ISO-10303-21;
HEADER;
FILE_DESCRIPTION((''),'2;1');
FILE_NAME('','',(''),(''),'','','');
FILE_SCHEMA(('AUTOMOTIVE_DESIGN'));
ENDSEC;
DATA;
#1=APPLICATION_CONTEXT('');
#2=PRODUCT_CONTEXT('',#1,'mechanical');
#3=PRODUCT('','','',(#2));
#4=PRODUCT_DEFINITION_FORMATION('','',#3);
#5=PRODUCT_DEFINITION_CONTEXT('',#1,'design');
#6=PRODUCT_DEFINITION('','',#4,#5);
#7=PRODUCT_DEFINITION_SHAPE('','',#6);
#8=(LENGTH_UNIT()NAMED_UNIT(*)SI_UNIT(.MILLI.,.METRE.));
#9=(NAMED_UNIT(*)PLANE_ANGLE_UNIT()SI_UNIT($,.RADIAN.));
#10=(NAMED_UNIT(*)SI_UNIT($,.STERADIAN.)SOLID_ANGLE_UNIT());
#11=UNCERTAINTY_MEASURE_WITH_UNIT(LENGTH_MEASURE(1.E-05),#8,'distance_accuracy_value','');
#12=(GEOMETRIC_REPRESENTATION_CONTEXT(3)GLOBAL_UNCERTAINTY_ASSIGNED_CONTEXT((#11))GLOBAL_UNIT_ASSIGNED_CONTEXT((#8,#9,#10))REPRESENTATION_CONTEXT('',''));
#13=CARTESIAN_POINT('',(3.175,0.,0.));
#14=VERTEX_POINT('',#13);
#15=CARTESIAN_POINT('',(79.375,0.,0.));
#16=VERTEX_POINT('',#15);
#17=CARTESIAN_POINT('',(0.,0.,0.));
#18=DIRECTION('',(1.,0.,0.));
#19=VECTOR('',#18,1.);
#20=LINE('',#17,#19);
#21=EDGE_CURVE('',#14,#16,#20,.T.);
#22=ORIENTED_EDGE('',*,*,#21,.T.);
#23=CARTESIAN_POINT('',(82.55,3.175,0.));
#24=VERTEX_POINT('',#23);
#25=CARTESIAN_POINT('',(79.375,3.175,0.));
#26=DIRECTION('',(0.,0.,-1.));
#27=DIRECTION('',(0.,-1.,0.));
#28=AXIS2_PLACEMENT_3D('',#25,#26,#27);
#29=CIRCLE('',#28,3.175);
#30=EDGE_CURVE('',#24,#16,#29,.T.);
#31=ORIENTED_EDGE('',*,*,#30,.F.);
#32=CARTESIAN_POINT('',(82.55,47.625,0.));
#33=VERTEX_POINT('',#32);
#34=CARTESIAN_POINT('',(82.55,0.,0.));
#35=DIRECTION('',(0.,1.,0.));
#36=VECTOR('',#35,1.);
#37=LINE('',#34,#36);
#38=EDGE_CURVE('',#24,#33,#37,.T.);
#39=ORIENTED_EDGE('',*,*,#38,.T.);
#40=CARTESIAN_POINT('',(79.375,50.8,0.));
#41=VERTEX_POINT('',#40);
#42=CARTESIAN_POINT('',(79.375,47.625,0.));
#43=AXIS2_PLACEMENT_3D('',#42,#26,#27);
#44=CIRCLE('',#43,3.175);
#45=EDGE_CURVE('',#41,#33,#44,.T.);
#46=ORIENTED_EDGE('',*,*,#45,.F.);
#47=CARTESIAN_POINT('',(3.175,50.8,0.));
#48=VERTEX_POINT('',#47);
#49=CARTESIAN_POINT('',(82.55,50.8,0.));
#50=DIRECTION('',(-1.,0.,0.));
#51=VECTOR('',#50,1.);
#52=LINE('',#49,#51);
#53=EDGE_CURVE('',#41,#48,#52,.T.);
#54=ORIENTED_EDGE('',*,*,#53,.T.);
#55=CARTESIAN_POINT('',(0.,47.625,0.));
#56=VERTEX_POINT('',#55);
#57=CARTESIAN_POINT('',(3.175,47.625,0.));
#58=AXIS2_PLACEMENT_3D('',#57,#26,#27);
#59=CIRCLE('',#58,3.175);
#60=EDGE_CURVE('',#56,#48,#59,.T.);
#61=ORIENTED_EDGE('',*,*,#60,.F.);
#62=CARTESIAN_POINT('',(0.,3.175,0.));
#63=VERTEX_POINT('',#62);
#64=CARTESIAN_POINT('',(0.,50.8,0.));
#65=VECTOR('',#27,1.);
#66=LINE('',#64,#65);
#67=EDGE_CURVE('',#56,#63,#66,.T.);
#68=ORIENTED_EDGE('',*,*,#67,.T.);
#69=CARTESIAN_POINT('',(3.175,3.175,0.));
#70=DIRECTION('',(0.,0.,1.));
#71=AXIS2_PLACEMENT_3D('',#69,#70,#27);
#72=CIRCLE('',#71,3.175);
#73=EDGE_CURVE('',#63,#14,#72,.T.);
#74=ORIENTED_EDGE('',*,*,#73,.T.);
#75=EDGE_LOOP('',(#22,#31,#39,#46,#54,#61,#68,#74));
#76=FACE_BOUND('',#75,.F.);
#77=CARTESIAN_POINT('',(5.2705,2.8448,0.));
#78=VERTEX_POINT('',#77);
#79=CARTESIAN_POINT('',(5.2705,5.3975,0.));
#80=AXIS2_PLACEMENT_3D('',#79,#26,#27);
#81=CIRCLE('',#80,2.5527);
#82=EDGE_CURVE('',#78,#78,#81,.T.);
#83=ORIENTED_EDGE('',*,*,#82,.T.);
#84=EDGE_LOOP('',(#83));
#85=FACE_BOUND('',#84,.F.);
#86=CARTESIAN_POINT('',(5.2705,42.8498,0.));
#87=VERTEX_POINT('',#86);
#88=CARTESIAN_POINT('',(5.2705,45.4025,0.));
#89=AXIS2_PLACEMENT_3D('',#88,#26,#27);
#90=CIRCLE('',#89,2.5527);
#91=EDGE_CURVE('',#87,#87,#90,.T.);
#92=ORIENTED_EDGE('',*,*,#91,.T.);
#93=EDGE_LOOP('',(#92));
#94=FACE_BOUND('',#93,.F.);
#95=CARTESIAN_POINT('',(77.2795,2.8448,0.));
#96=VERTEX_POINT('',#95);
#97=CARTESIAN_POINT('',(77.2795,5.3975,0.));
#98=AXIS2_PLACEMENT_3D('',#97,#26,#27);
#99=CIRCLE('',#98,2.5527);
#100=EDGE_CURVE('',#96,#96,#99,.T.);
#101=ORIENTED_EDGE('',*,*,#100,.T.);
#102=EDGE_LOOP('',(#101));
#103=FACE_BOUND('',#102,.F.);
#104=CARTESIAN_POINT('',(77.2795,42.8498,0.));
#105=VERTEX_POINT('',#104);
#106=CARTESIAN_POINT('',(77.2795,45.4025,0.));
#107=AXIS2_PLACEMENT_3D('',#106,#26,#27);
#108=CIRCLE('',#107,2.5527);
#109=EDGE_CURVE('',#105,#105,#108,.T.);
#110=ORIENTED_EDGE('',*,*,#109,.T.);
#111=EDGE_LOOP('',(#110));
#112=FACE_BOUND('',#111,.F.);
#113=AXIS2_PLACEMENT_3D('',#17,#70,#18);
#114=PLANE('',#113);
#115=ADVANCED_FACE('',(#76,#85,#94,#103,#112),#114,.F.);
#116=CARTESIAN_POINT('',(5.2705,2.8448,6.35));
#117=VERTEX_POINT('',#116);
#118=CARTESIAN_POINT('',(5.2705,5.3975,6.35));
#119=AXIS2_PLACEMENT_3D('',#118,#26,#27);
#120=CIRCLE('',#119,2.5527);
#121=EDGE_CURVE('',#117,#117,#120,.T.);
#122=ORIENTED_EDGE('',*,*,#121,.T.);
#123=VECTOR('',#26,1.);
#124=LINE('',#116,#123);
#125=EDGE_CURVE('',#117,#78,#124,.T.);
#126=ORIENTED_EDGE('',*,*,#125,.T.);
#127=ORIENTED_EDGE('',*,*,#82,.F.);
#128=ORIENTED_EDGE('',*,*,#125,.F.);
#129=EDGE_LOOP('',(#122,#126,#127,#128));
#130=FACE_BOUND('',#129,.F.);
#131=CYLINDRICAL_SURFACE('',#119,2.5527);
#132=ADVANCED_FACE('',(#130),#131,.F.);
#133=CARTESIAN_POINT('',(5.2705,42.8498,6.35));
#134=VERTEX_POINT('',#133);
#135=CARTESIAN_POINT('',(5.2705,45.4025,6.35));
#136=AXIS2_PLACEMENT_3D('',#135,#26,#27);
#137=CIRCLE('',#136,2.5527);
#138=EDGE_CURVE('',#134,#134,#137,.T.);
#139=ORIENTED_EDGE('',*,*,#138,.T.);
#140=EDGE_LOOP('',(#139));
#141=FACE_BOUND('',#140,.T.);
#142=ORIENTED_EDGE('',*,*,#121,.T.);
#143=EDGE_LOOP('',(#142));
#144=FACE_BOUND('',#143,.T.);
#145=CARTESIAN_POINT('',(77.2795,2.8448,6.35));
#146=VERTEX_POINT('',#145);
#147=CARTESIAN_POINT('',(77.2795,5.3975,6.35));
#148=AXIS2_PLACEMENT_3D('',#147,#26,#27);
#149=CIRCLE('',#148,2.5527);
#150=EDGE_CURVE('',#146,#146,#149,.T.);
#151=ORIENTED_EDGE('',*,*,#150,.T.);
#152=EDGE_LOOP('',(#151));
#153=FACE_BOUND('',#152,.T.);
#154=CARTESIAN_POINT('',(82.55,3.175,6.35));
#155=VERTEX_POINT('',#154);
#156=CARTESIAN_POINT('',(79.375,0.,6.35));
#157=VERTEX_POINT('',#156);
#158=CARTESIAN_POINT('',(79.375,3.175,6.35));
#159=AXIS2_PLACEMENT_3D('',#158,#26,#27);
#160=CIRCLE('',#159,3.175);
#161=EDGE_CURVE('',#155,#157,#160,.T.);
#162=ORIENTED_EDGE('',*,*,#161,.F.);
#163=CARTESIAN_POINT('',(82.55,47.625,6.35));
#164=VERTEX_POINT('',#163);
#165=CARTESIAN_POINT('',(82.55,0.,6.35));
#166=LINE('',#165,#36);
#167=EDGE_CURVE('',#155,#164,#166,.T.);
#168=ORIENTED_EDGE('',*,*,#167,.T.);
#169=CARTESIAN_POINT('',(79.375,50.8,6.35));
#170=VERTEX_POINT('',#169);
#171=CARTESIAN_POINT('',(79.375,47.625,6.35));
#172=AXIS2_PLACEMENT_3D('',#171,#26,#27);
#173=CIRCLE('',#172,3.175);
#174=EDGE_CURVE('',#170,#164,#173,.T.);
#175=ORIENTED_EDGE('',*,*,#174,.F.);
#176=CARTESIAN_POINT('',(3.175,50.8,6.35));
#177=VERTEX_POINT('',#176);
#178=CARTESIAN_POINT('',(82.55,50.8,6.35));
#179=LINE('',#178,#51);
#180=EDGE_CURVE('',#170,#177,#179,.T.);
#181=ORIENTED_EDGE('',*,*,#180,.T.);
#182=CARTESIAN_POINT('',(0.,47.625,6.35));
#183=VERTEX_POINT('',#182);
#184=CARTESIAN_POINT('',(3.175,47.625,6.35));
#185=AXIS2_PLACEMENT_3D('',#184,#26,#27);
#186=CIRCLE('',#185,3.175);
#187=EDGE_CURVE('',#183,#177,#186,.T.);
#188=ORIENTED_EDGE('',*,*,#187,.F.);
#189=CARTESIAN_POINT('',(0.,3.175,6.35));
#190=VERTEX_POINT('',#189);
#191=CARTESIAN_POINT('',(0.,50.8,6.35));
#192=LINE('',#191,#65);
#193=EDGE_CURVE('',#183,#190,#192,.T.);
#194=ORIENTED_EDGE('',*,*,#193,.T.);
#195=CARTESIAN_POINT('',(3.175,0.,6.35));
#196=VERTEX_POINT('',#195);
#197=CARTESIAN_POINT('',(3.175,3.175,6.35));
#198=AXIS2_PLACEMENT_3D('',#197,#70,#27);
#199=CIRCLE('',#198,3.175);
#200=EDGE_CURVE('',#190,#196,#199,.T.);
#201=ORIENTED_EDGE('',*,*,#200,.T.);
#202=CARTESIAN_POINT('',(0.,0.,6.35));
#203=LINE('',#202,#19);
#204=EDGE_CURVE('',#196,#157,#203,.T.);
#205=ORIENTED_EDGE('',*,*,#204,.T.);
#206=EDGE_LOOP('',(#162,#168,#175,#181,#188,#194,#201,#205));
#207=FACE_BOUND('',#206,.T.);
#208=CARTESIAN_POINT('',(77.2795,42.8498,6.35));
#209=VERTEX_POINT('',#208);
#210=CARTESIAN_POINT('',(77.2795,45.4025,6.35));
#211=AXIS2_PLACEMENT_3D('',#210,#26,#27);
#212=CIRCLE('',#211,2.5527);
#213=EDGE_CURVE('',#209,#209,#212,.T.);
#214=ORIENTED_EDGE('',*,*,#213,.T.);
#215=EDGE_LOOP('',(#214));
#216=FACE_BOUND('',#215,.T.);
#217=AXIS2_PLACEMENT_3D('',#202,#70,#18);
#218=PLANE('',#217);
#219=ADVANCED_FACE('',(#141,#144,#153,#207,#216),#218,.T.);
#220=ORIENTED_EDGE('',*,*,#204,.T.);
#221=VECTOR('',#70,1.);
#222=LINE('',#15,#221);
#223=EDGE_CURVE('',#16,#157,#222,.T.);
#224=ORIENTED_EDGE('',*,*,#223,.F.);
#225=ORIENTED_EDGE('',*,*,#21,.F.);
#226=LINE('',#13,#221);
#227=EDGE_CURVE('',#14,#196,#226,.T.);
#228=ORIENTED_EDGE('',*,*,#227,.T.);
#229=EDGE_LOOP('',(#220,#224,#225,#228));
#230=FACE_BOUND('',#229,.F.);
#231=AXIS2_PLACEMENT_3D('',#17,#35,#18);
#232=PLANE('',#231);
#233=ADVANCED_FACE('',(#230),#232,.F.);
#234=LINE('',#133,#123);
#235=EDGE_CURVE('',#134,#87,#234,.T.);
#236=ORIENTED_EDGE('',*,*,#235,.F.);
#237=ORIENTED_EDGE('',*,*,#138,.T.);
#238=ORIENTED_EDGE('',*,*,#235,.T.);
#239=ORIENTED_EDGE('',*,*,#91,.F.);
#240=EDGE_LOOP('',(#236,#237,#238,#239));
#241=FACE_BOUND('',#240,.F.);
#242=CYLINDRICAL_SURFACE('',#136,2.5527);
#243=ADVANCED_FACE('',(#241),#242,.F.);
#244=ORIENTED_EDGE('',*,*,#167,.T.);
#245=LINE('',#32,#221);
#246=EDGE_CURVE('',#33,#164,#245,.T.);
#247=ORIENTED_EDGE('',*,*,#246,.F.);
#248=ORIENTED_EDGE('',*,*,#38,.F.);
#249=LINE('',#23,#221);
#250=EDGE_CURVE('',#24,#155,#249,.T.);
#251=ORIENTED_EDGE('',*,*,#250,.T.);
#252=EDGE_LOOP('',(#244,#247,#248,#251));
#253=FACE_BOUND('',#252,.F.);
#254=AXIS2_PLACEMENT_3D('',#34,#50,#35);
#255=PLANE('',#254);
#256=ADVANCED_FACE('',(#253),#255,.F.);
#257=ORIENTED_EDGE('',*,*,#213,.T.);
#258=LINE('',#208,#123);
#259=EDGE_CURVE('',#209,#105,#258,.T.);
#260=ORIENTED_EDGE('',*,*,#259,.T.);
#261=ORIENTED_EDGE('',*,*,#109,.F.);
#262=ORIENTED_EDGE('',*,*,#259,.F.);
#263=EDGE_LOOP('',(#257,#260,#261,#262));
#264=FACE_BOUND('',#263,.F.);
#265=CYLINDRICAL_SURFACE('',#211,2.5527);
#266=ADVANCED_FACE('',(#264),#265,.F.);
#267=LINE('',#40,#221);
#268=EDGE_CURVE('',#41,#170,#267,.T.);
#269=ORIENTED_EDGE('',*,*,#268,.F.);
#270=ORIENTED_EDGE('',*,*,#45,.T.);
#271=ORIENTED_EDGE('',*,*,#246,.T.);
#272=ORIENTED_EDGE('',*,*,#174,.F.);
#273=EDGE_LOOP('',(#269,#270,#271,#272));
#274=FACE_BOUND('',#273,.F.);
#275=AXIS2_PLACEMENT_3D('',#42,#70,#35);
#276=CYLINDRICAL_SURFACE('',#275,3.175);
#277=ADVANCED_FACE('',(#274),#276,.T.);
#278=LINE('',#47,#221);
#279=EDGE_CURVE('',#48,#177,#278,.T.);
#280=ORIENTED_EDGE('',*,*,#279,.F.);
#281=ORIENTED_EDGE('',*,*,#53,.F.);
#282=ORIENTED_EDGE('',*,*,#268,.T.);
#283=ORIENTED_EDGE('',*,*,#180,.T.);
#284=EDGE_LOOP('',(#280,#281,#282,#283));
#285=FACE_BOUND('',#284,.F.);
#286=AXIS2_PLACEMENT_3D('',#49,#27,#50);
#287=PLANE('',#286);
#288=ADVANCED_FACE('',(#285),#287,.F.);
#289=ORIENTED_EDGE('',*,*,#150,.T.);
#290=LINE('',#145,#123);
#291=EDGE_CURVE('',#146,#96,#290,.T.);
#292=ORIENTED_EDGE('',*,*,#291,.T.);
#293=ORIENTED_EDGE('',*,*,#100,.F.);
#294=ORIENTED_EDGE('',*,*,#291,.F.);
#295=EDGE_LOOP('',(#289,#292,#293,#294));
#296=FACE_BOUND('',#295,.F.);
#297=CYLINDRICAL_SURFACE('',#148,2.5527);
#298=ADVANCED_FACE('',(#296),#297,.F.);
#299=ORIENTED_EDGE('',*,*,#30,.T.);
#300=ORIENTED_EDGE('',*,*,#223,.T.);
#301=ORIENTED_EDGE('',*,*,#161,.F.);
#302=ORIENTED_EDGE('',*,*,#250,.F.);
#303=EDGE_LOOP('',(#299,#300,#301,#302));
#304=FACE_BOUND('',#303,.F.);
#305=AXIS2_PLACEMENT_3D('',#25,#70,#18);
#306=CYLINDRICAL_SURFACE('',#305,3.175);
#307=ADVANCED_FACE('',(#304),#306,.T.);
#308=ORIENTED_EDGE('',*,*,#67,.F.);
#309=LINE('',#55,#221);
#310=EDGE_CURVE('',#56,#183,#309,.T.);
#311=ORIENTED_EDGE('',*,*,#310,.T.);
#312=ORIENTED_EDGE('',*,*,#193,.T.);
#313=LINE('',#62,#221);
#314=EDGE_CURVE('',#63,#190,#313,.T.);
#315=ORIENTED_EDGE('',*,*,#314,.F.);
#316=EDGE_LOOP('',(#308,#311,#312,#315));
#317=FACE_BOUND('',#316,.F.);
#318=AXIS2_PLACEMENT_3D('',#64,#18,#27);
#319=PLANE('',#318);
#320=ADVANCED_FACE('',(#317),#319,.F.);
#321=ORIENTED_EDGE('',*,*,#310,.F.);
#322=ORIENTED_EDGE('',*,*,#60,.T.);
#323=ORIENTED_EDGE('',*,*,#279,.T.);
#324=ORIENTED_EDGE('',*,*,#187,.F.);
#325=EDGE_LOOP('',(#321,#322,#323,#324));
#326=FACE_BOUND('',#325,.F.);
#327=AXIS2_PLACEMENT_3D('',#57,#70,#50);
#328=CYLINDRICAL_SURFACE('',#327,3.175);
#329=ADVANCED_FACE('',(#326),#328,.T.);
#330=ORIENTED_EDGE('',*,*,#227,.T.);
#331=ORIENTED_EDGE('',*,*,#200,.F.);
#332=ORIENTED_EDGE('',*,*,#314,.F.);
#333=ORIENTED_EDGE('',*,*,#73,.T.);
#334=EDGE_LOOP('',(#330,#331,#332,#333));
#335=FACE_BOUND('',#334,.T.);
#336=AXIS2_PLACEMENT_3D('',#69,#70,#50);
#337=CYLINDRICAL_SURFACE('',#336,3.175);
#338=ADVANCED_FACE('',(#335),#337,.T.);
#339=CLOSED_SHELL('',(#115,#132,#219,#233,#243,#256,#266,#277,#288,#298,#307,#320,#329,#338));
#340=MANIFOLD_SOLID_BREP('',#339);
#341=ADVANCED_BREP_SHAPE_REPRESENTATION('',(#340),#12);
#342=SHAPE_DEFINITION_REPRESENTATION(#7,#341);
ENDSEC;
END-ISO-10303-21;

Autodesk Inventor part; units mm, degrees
ref_plane "YZ Plane" through (0, 0, 0) normal (1, 0, 0) x (0, 1, 0)
ref_plane "XZ Plane" through (0, 0, 0) normal (0, 1, 0) x (-1, 0, 0)
ref_plane "XY Plane" through (0, 0, 0) normal (0, 0, 1) x (1, 0, 0)
sketch "Sketch1" plane through (0, 0, 0) normal (0, 0, 1) x (1, 0, 0)
  line L0 (0, 0) -> (82.55, 0)
  line L1 (82.55, 0) -> (82.55, 50.8)
  line L2 (82.55, 50.8) -> (0, 50.8)
  line L3 (0, 50.8) -> (0, 0)
  dimension "d0" = 50.8
  dimension "d1" = 82.55
extrude "Extrusion1" add sketch "Sketch1" along normal blind 6.35
fillet "Fillet1" radius 3.175 4 edges at (82.55, 50.8, 3.175) (82.55, 0, 3.175) (0, 0, 3.175) (0, 50.8, 3.175)
sketch "Sketch2" plane through (0, 0, 6.35) normal (0, 0, 1) x (1, 0, 0)
  line L0 (5.2705, 45.4025) -> (77.2795, 45.4025) construction
  line L1 (77.2795, 45.4025) -> (77.2795, 5.3975) construction
  line L2 (77.2795, 5.3975) -> (5.2705, 5.3975) construction
  line L3 (5.2705, 5.3975) -> (5.2705, 45.4025) construction
  line L4 (0, 47.625) -> (0, 3.175) construction
  line L5 (79.375, 50.8) -> (3.175, 50.8) construction
  point P0 (0, 0)
  point P1 (5.2705, 25.4)
  point P2 (0, 25.4)
  point P3 (41.275, 45.4025)
  point P4 (41.275, 50.8)
  dimension "d5" = 72.009
  dimension "d6" = 40.005
hole "Hole1" at (5.2705, 45.4025, 6.35) at (77.2795, 45.4025, 6.35) at (77.2795, 5.3975, 6.35) at (5.2705, 5.3975, 6.35) direction (0, 0, -1) diameter 5.1054 end through all clearance for "Flat Head Machine Screw (82)" size "#10" standard "Ansi Unified Screw Threads"
properties part number "LL-001" material "ABS Plastic"
